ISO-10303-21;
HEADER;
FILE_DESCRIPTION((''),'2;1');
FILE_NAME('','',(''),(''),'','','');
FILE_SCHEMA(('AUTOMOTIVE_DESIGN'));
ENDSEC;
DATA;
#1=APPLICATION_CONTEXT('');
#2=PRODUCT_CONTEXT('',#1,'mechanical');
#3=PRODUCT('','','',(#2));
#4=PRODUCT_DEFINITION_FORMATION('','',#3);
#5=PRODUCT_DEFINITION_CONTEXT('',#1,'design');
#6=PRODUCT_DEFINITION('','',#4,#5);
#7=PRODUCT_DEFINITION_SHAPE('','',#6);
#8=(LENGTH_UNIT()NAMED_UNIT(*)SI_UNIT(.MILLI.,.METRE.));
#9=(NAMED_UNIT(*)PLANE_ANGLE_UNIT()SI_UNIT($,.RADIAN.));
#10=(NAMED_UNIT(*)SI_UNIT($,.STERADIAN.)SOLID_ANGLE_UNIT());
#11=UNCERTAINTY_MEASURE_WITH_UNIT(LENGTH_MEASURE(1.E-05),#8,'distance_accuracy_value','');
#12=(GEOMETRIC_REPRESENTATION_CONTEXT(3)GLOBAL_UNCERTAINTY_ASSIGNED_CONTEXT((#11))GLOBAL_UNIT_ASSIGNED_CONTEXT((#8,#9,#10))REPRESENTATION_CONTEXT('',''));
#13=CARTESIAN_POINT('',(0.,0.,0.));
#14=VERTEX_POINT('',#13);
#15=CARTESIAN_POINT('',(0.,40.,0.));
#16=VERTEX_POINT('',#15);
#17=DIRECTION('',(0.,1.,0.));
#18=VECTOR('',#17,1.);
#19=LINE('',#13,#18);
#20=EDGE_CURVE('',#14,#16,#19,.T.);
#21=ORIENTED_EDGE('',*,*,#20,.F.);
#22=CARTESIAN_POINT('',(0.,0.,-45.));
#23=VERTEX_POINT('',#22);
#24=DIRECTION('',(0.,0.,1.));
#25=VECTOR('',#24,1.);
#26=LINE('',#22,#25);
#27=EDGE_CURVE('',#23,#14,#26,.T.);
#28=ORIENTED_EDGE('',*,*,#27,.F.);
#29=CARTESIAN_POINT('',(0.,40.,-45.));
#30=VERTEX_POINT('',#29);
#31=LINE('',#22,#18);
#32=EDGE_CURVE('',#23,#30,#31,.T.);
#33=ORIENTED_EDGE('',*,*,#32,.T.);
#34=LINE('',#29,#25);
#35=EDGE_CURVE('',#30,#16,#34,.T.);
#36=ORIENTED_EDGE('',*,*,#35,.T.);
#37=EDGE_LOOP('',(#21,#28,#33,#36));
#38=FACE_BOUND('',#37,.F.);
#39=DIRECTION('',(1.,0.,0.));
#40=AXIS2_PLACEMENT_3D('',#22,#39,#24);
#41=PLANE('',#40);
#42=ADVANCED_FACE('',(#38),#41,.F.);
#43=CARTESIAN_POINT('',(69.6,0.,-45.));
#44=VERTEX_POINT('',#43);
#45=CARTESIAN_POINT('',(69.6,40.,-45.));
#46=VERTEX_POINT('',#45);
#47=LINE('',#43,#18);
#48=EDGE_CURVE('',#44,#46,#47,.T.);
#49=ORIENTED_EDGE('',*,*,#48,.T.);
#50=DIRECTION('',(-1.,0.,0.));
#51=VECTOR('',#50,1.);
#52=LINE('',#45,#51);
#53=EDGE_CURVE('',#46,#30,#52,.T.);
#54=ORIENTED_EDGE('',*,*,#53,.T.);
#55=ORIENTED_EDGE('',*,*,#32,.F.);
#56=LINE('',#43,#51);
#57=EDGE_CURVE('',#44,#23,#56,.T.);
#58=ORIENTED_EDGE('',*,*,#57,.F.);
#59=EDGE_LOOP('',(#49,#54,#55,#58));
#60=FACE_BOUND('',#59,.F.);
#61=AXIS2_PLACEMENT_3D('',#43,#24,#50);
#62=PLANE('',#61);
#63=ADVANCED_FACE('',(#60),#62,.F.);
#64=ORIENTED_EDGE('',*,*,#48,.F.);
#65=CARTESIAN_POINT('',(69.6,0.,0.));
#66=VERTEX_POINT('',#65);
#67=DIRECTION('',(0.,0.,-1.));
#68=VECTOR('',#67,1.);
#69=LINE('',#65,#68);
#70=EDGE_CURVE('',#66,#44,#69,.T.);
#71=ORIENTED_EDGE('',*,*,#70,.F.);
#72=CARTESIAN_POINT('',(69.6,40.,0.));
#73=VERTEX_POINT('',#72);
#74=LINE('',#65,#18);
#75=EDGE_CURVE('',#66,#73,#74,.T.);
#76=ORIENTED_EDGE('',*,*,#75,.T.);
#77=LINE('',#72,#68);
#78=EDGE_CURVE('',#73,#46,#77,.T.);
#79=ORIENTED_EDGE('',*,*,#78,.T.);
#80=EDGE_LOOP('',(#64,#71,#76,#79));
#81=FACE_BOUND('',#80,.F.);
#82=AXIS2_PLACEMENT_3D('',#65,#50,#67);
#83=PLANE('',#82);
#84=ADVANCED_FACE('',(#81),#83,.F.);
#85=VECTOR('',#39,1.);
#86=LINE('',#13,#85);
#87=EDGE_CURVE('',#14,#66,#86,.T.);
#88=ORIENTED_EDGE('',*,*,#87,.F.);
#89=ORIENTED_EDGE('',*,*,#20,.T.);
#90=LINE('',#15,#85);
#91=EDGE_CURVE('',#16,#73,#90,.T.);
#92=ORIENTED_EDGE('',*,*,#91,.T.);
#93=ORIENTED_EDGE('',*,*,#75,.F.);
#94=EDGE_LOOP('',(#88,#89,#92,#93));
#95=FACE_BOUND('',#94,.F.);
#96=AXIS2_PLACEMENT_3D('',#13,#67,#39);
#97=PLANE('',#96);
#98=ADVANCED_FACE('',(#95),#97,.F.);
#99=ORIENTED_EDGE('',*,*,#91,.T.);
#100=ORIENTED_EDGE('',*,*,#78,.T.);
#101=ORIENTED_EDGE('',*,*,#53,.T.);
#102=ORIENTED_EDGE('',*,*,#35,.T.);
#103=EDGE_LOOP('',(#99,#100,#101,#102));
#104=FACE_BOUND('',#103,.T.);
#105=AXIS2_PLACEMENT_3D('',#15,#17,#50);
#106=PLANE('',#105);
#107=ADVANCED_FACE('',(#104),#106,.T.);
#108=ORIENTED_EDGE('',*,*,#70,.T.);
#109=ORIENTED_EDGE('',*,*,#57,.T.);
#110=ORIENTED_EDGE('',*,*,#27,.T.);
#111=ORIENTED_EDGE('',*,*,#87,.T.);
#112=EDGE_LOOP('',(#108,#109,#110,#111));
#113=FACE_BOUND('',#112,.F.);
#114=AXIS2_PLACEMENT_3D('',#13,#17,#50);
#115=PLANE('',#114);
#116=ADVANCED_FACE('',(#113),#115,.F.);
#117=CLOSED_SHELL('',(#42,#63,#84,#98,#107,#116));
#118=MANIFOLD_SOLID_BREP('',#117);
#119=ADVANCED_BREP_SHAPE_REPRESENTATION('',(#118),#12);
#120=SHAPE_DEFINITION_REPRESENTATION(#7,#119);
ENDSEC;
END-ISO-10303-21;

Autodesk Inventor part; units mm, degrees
ref_plane "YZ Plane" through (0, 0, 0) normal (1, 0, 0) x (0, 1, 0)
ref_plane "XZ Plane" through (0, 0, 0) normal (0, 1, 0) x (-1, 0, 0)
ref_plane "XY Plane" through (0, 0, 0) normal (0, 0, 1) x (1, 0, 0)
sketch "Sketch1" plane through (0, 0, 0) normal (0, 1, 0) x (-1, 0, 0)
  line L0 (0, 0) -> (-69.6, 0)
  line L1 (-69.6, 0) -> (-69.6, -45)
  line L2 (-69.6, -45) -> (0, -45)
  line L3 (0, -45) -> (0, 0)
  dimension "d0" = 69.6
  dimension "d1" = 45
extrude "Extrusion1" add sketch "Sketch1" along normal blind 40
properties part number "processor"
